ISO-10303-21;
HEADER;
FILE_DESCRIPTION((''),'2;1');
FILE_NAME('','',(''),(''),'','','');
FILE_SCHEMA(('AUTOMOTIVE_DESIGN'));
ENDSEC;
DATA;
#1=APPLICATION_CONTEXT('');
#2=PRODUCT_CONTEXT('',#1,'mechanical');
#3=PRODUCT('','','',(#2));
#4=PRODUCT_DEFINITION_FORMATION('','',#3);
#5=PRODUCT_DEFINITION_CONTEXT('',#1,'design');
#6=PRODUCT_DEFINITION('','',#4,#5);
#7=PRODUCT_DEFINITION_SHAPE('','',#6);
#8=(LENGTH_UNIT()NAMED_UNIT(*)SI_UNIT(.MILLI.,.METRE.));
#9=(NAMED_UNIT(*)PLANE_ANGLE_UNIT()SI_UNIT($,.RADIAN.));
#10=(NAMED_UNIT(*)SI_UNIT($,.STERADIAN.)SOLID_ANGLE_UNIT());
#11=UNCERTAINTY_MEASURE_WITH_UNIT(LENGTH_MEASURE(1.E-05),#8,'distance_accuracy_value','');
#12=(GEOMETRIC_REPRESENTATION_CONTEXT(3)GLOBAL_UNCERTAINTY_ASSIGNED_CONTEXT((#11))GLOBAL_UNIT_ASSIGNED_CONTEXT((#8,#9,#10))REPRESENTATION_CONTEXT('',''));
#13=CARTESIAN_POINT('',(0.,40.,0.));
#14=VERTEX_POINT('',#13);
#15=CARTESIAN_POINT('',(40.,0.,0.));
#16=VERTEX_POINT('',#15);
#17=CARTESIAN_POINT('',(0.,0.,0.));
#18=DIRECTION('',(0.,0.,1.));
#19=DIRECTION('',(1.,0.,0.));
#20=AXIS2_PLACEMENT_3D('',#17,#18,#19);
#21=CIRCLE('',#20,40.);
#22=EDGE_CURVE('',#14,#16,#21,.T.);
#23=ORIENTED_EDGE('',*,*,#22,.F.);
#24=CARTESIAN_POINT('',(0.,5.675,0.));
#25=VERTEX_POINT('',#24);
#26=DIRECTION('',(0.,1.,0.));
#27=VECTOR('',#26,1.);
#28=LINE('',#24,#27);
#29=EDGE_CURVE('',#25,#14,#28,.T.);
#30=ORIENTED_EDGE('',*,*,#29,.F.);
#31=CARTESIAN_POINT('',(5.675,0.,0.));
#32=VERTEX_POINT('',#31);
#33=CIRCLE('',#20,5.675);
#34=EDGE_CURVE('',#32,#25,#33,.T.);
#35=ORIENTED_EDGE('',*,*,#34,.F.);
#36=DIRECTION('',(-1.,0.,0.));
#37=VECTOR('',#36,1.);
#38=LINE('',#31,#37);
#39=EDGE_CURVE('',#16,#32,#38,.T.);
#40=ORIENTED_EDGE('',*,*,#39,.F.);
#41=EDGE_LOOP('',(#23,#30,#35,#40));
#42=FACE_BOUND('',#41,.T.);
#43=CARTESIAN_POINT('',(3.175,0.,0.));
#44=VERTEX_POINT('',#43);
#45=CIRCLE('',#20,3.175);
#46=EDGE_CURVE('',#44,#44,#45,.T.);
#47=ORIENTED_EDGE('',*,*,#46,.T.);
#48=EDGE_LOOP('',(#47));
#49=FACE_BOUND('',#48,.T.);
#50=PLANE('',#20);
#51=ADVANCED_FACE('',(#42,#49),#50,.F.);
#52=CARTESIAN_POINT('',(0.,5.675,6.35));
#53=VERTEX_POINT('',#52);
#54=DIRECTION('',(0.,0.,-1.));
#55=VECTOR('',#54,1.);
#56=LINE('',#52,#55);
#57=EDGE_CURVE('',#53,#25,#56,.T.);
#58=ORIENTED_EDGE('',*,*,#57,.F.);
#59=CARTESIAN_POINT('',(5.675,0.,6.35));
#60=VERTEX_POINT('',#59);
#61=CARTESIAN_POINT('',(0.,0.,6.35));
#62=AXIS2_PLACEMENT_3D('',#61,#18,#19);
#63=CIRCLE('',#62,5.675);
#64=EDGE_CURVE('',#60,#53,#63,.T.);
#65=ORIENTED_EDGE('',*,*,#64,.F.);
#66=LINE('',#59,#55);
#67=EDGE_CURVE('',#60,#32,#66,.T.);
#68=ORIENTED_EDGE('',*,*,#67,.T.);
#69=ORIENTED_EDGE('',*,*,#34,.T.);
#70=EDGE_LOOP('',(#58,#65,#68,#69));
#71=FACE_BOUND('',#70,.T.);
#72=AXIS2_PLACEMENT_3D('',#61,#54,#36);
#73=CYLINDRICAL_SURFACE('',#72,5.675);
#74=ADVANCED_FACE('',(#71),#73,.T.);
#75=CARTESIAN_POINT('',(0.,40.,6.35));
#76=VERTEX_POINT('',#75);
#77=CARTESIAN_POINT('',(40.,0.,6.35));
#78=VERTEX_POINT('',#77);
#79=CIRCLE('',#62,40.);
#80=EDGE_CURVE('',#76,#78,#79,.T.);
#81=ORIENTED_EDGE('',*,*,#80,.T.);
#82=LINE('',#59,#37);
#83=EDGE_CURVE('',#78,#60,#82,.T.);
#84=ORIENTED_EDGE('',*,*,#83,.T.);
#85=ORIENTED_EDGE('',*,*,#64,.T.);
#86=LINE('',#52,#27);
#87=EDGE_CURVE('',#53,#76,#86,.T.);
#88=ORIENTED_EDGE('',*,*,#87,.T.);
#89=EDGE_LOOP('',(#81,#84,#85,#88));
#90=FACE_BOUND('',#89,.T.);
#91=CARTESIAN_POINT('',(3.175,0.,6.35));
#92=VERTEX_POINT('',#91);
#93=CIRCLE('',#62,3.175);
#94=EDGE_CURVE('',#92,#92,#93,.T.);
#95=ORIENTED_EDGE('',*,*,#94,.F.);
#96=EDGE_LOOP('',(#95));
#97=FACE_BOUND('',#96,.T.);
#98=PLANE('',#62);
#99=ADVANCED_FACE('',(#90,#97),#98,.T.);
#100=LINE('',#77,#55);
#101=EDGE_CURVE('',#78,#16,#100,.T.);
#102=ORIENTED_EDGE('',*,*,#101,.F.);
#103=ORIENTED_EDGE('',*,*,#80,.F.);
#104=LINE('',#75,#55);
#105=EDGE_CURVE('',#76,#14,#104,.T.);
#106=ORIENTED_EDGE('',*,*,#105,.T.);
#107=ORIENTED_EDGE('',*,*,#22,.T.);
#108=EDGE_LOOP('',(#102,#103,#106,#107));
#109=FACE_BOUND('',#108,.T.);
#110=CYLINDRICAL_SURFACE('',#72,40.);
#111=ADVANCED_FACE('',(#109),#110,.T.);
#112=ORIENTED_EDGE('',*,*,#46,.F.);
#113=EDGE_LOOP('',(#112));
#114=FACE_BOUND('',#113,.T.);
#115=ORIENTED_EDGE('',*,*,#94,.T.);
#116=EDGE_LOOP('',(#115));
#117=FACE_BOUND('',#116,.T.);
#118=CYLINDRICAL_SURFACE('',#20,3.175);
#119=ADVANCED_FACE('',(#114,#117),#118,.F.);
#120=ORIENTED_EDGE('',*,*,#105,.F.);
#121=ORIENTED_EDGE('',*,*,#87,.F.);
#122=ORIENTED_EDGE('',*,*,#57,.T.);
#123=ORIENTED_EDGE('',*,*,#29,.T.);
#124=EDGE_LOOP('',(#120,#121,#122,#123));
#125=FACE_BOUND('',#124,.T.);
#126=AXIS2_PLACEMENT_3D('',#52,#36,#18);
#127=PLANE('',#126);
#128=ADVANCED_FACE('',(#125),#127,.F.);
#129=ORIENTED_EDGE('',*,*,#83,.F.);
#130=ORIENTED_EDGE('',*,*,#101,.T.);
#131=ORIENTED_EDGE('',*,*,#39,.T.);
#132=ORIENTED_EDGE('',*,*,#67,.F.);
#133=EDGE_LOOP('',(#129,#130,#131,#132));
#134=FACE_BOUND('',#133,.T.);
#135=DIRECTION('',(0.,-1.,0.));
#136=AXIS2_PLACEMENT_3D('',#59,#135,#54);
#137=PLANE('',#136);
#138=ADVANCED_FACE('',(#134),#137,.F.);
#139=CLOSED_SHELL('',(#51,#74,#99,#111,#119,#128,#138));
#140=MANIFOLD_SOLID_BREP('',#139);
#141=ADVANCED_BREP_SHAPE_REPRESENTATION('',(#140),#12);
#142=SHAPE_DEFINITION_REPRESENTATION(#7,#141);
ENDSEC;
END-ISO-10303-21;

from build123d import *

# Parameters (mm, degrees)
BOSS_EXTRUDE1_DEPTH     = 6.35
CUT_EXTRUDE1_DEPTH      = 57.9238307
CUT_EXTRUDE1_DEPTH_BACK = 57.9238307
SKETCH2_R               = 3.175


with BuildPart() as part:
    # Sketch1 → Boss-Extrude1 (new body)
    with BuildSketch(Plane.XY):
        with BuildLine():
            Line((5.674999953, 0), (40.00000001, 0))
            ThreePointArc((40.00000001, 0), (-28.284271255, -28.284271255), (0, 40.00000001))
            Line((0, 40.00000001), (0, 5.674999953))
            ThreePointArc((0, 5.674999953), (4.01283095, 4.01283095), (5.674999953, 0))
        make_face()
    extrude(amount=BOSS_EXTRUDE1_DEPTH)

    # Sketch2 → Cut-Extrude1 (cut, two sides: drawn at the far end of the back side and taken through both)
    with BuildSketch(Plane.XY.offset(6.35).offset(-CUT_EXTRUDE1_DEPTH_BACK)):
        Circle(SKETCH2_R)
    extrude(amount=CUT_EXTRUDE1_DEPTH + CUT_EXTRUDE1_DEPTH_BACK, mode=Mode.SUBTRACT)


solid = part.part
